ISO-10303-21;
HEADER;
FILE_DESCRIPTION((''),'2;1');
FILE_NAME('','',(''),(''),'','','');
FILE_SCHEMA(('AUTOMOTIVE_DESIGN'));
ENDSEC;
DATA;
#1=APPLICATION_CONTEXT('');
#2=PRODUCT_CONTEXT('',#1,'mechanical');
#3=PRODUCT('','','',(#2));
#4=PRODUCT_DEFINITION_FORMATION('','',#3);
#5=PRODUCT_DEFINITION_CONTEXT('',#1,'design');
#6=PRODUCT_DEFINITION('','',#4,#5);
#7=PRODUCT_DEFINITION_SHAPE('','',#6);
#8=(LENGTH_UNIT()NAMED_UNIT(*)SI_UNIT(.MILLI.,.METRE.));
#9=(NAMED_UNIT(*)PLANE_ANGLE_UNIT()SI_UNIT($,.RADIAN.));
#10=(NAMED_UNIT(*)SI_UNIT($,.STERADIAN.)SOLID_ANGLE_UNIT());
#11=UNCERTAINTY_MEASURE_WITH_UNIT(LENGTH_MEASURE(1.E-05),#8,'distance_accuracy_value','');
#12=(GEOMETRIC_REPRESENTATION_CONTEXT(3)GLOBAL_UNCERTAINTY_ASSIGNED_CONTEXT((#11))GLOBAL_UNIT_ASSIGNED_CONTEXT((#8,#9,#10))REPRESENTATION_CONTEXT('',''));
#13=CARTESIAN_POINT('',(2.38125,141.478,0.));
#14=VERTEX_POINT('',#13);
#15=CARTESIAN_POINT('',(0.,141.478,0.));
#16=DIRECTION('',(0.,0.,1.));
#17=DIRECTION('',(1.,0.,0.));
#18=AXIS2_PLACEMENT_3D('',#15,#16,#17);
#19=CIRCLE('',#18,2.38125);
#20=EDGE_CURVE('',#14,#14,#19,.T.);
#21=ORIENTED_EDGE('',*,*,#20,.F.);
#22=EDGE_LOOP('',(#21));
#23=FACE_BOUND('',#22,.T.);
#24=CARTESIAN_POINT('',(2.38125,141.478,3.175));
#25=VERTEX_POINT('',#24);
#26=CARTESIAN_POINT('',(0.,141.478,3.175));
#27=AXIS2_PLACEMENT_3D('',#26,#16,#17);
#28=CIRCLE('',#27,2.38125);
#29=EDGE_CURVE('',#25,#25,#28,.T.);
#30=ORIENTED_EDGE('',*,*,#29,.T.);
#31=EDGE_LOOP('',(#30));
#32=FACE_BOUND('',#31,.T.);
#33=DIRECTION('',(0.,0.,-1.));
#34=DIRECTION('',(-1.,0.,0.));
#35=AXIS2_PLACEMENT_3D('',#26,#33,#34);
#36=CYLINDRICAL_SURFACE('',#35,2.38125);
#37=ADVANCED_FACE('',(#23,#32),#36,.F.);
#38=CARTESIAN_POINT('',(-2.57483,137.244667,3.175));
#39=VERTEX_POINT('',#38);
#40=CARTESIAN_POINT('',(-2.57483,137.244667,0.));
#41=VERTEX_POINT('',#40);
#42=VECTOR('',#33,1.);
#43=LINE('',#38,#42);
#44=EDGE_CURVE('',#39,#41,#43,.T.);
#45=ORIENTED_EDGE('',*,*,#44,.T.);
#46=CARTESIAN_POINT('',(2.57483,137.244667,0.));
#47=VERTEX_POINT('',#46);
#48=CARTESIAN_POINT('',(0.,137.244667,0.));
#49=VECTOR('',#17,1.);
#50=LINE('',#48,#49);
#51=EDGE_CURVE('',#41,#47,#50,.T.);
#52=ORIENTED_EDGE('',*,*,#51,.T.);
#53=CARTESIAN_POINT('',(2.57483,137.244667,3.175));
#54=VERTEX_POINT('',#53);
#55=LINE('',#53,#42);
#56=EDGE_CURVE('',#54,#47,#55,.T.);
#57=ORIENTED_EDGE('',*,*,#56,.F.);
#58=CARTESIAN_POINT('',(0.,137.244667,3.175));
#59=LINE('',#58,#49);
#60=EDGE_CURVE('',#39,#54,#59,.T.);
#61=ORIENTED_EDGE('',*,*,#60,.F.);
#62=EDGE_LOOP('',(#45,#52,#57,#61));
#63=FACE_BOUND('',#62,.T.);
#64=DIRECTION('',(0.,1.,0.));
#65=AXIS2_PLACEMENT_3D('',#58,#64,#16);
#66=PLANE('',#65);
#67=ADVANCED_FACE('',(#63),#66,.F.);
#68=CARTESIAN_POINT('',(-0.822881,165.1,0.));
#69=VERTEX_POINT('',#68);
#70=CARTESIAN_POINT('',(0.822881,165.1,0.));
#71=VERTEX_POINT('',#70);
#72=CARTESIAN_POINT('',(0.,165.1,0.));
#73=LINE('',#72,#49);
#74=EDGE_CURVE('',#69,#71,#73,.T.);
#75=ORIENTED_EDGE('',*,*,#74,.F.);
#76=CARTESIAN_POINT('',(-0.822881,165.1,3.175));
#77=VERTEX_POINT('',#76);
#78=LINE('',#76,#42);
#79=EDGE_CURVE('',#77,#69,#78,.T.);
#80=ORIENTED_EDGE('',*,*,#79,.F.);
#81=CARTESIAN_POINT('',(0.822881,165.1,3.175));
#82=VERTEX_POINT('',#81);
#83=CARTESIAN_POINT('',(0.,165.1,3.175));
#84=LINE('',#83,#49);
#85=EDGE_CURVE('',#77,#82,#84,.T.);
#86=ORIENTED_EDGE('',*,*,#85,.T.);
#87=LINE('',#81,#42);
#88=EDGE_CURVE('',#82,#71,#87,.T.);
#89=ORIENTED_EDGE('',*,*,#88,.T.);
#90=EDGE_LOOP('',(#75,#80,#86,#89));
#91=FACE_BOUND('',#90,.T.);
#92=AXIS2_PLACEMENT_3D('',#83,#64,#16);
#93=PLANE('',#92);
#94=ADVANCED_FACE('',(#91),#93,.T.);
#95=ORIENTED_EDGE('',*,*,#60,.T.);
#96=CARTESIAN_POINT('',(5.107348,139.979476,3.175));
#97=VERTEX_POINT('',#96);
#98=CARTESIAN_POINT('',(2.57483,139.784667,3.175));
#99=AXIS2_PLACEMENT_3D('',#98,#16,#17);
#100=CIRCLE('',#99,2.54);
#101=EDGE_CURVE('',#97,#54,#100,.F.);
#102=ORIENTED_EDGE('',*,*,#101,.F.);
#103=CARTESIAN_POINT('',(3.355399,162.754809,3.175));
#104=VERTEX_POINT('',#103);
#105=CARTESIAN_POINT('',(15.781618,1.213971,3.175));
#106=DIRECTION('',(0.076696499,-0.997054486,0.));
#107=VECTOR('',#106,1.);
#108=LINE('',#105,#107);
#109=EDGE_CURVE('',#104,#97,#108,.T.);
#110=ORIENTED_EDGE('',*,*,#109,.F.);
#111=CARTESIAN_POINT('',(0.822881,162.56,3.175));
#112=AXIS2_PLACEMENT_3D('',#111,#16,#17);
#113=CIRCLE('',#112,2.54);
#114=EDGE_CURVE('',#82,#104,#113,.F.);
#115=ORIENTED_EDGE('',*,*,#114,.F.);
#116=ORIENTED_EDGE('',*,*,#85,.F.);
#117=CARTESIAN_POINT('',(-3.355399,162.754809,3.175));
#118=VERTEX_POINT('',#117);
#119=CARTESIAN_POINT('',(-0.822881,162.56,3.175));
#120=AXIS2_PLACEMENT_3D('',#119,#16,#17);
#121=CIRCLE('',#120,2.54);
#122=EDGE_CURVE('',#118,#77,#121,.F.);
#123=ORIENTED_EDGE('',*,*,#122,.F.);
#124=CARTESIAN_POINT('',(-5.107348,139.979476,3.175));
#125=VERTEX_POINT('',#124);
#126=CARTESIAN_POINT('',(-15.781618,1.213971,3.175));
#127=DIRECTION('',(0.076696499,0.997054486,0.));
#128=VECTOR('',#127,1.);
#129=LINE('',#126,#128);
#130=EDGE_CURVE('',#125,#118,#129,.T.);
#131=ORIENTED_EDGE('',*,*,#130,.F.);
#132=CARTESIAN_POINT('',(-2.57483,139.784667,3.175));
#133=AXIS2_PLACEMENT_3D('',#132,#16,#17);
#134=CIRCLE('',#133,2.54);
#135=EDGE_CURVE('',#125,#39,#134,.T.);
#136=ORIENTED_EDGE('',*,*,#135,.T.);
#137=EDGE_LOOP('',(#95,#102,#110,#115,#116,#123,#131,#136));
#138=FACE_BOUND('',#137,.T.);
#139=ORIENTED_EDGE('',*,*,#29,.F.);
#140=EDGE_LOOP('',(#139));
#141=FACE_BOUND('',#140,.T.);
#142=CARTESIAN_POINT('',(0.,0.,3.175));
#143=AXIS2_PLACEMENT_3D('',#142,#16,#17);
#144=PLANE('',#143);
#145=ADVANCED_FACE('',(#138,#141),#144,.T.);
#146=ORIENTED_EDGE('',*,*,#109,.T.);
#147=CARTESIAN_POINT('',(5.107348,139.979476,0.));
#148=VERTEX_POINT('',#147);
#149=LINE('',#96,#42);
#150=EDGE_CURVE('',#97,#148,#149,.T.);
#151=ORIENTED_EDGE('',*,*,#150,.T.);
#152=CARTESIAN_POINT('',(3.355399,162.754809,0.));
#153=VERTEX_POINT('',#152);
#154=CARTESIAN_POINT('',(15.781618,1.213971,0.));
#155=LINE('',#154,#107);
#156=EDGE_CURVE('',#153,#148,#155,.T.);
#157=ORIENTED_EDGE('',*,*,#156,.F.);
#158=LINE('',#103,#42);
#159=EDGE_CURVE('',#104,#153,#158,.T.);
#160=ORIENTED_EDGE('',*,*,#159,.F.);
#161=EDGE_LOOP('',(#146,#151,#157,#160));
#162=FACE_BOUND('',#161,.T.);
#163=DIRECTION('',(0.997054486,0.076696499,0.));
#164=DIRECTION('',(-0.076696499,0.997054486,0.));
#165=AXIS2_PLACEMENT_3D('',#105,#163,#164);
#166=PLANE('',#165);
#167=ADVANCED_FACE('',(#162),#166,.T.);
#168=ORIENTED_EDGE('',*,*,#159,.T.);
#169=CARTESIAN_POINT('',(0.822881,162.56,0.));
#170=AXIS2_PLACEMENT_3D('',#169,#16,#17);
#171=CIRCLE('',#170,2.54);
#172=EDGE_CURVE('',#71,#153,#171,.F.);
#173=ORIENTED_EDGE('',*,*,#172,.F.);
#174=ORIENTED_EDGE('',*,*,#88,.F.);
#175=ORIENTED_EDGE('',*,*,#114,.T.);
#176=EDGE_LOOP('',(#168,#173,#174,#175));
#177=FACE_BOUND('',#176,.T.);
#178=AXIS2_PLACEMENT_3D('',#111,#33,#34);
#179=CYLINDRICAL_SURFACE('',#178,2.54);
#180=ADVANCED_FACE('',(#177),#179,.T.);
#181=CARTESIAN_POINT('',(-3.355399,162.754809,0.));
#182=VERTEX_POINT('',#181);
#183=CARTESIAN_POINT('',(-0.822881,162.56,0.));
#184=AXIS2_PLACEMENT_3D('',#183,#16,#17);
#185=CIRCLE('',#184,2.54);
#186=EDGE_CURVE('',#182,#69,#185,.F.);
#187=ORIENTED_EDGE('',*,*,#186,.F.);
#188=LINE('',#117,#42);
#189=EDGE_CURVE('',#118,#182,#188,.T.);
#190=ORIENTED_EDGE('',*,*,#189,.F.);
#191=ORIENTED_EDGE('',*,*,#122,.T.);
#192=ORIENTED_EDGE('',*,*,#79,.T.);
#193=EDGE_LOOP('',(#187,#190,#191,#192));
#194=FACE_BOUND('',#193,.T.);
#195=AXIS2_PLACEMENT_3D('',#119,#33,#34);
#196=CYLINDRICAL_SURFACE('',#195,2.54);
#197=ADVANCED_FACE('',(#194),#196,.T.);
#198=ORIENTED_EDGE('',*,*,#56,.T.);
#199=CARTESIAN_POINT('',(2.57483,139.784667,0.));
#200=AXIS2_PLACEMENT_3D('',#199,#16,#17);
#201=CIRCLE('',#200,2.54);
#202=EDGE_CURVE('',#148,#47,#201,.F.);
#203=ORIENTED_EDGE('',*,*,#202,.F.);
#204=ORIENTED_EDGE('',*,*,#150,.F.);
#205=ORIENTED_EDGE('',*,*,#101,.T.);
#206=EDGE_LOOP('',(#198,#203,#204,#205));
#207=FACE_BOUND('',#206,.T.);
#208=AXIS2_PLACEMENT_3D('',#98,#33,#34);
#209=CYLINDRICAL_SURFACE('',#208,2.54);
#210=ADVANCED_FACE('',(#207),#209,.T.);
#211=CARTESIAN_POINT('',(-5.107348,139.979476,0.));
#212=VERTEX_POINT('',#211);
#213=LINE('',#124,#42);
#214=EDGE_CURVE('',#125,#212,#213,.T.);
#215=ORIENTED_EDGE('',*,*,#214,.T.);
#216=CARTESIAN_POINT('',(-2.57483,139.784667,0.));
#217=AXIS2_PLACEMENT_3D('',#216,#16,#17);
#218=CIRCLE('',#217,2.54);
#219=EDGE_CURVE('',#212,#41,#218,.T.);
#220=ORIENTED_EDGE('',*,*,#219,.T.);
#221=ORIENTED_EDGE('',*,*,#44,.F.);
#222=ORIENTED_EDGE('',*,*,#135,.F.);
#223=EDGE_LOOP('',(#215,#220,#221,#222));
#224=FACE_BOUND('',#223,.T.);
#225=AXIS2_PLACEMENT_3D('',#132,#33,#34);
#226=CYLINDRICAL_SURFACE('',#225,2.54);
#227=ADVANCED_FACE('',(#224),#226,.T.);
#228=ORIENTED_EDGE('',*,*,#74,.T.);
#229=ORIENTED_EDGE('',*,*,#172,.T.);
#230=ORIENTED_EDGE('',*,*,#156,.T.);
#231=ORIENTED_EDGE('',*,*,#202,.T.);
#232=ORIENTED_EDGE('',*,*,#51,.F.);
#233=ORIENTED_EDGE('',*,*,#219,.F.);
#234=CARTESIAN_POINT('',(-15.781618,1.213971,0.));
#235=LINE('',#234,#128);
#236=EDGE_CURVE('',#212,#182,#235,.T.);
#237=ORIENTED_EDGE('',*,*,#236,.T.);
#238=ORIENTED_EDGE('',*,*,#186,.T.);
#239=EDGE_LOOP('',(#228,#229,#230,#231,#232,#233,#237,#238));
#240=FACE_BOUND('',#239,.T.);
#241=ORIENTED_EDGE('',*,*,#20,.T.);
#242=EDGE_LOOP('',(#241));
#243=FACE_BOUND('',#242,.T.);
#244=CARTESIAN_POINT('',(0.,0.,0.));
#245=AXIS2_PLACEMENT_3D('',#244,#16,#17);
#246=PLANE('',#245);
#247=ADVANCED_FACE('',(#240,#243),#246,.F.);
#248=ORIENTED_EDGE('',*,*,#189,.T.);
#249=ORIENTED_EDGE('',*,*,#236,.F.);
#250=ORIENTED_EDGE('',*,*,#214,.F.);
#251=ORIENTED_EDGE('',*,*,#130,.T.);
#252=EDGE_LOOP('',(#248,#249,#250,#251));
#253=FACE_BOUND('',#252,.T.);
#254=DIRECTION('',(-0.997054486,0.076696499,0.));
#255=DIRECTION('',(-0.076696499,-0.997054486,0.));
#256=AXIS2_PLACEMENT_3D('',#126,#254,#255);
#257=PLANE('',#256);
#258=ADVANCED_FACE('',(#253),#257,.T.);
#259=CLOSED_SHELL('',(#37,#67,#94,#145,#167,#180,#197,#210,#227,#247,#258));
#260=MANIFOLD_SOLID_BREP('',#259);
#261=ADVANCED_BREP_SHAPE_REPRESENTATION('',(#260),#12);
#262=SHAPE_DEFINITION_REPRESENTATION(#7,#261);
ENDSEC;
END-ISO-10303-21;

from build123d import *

# Parameters (mm, degrees)
SKETCH1_R           = 2.38125
BOSS_EXTRUDE1_DEPTH = 3.175


with BuildPart() as part:
    # Sketch1 → Boss-Extrude1 (new body)
    with BuildSketch(Plane.XY):
        with BuildLine():
            Line((-0.822880906, 165.1), (0.822880906, 165.1))
            ThreePointArc((0.822880906, 165.1), (2.548682875, 164.423654358), (3.355399299, 162.754809107))
            Line((3.355399299, 162.754809107), (5.107348017, 139.979475774))
            ThreePointArc((5.107348017, 139.979475774), (4.438483982, 138.058864698), (2.574829624, 137.244666667))
            Line((2.574829624, 137.244666667), (-2.574829624, 137.244666667))
            ThreePointArc((-2.574829624, 137.244666667), (-4.438483982, 138.058864698), (-5.107348017, 139.979475774))
            Line((-5.107348017, 139.979475774), (-3.355399299, 162.754809107))
            ThreePointArc((-3.355399299, 162.754809107), (-2.548682875, 164.423654358), (-0.822880906, 165.1))
        make_face()
        with Locations((0, 141.478000085)):
            Circle(SKETCH1_R, mode=Mode.SUBTRACT)
    extrude(amount=BOSS_EXTRUDE1_DEPTH)


solid = part.part
